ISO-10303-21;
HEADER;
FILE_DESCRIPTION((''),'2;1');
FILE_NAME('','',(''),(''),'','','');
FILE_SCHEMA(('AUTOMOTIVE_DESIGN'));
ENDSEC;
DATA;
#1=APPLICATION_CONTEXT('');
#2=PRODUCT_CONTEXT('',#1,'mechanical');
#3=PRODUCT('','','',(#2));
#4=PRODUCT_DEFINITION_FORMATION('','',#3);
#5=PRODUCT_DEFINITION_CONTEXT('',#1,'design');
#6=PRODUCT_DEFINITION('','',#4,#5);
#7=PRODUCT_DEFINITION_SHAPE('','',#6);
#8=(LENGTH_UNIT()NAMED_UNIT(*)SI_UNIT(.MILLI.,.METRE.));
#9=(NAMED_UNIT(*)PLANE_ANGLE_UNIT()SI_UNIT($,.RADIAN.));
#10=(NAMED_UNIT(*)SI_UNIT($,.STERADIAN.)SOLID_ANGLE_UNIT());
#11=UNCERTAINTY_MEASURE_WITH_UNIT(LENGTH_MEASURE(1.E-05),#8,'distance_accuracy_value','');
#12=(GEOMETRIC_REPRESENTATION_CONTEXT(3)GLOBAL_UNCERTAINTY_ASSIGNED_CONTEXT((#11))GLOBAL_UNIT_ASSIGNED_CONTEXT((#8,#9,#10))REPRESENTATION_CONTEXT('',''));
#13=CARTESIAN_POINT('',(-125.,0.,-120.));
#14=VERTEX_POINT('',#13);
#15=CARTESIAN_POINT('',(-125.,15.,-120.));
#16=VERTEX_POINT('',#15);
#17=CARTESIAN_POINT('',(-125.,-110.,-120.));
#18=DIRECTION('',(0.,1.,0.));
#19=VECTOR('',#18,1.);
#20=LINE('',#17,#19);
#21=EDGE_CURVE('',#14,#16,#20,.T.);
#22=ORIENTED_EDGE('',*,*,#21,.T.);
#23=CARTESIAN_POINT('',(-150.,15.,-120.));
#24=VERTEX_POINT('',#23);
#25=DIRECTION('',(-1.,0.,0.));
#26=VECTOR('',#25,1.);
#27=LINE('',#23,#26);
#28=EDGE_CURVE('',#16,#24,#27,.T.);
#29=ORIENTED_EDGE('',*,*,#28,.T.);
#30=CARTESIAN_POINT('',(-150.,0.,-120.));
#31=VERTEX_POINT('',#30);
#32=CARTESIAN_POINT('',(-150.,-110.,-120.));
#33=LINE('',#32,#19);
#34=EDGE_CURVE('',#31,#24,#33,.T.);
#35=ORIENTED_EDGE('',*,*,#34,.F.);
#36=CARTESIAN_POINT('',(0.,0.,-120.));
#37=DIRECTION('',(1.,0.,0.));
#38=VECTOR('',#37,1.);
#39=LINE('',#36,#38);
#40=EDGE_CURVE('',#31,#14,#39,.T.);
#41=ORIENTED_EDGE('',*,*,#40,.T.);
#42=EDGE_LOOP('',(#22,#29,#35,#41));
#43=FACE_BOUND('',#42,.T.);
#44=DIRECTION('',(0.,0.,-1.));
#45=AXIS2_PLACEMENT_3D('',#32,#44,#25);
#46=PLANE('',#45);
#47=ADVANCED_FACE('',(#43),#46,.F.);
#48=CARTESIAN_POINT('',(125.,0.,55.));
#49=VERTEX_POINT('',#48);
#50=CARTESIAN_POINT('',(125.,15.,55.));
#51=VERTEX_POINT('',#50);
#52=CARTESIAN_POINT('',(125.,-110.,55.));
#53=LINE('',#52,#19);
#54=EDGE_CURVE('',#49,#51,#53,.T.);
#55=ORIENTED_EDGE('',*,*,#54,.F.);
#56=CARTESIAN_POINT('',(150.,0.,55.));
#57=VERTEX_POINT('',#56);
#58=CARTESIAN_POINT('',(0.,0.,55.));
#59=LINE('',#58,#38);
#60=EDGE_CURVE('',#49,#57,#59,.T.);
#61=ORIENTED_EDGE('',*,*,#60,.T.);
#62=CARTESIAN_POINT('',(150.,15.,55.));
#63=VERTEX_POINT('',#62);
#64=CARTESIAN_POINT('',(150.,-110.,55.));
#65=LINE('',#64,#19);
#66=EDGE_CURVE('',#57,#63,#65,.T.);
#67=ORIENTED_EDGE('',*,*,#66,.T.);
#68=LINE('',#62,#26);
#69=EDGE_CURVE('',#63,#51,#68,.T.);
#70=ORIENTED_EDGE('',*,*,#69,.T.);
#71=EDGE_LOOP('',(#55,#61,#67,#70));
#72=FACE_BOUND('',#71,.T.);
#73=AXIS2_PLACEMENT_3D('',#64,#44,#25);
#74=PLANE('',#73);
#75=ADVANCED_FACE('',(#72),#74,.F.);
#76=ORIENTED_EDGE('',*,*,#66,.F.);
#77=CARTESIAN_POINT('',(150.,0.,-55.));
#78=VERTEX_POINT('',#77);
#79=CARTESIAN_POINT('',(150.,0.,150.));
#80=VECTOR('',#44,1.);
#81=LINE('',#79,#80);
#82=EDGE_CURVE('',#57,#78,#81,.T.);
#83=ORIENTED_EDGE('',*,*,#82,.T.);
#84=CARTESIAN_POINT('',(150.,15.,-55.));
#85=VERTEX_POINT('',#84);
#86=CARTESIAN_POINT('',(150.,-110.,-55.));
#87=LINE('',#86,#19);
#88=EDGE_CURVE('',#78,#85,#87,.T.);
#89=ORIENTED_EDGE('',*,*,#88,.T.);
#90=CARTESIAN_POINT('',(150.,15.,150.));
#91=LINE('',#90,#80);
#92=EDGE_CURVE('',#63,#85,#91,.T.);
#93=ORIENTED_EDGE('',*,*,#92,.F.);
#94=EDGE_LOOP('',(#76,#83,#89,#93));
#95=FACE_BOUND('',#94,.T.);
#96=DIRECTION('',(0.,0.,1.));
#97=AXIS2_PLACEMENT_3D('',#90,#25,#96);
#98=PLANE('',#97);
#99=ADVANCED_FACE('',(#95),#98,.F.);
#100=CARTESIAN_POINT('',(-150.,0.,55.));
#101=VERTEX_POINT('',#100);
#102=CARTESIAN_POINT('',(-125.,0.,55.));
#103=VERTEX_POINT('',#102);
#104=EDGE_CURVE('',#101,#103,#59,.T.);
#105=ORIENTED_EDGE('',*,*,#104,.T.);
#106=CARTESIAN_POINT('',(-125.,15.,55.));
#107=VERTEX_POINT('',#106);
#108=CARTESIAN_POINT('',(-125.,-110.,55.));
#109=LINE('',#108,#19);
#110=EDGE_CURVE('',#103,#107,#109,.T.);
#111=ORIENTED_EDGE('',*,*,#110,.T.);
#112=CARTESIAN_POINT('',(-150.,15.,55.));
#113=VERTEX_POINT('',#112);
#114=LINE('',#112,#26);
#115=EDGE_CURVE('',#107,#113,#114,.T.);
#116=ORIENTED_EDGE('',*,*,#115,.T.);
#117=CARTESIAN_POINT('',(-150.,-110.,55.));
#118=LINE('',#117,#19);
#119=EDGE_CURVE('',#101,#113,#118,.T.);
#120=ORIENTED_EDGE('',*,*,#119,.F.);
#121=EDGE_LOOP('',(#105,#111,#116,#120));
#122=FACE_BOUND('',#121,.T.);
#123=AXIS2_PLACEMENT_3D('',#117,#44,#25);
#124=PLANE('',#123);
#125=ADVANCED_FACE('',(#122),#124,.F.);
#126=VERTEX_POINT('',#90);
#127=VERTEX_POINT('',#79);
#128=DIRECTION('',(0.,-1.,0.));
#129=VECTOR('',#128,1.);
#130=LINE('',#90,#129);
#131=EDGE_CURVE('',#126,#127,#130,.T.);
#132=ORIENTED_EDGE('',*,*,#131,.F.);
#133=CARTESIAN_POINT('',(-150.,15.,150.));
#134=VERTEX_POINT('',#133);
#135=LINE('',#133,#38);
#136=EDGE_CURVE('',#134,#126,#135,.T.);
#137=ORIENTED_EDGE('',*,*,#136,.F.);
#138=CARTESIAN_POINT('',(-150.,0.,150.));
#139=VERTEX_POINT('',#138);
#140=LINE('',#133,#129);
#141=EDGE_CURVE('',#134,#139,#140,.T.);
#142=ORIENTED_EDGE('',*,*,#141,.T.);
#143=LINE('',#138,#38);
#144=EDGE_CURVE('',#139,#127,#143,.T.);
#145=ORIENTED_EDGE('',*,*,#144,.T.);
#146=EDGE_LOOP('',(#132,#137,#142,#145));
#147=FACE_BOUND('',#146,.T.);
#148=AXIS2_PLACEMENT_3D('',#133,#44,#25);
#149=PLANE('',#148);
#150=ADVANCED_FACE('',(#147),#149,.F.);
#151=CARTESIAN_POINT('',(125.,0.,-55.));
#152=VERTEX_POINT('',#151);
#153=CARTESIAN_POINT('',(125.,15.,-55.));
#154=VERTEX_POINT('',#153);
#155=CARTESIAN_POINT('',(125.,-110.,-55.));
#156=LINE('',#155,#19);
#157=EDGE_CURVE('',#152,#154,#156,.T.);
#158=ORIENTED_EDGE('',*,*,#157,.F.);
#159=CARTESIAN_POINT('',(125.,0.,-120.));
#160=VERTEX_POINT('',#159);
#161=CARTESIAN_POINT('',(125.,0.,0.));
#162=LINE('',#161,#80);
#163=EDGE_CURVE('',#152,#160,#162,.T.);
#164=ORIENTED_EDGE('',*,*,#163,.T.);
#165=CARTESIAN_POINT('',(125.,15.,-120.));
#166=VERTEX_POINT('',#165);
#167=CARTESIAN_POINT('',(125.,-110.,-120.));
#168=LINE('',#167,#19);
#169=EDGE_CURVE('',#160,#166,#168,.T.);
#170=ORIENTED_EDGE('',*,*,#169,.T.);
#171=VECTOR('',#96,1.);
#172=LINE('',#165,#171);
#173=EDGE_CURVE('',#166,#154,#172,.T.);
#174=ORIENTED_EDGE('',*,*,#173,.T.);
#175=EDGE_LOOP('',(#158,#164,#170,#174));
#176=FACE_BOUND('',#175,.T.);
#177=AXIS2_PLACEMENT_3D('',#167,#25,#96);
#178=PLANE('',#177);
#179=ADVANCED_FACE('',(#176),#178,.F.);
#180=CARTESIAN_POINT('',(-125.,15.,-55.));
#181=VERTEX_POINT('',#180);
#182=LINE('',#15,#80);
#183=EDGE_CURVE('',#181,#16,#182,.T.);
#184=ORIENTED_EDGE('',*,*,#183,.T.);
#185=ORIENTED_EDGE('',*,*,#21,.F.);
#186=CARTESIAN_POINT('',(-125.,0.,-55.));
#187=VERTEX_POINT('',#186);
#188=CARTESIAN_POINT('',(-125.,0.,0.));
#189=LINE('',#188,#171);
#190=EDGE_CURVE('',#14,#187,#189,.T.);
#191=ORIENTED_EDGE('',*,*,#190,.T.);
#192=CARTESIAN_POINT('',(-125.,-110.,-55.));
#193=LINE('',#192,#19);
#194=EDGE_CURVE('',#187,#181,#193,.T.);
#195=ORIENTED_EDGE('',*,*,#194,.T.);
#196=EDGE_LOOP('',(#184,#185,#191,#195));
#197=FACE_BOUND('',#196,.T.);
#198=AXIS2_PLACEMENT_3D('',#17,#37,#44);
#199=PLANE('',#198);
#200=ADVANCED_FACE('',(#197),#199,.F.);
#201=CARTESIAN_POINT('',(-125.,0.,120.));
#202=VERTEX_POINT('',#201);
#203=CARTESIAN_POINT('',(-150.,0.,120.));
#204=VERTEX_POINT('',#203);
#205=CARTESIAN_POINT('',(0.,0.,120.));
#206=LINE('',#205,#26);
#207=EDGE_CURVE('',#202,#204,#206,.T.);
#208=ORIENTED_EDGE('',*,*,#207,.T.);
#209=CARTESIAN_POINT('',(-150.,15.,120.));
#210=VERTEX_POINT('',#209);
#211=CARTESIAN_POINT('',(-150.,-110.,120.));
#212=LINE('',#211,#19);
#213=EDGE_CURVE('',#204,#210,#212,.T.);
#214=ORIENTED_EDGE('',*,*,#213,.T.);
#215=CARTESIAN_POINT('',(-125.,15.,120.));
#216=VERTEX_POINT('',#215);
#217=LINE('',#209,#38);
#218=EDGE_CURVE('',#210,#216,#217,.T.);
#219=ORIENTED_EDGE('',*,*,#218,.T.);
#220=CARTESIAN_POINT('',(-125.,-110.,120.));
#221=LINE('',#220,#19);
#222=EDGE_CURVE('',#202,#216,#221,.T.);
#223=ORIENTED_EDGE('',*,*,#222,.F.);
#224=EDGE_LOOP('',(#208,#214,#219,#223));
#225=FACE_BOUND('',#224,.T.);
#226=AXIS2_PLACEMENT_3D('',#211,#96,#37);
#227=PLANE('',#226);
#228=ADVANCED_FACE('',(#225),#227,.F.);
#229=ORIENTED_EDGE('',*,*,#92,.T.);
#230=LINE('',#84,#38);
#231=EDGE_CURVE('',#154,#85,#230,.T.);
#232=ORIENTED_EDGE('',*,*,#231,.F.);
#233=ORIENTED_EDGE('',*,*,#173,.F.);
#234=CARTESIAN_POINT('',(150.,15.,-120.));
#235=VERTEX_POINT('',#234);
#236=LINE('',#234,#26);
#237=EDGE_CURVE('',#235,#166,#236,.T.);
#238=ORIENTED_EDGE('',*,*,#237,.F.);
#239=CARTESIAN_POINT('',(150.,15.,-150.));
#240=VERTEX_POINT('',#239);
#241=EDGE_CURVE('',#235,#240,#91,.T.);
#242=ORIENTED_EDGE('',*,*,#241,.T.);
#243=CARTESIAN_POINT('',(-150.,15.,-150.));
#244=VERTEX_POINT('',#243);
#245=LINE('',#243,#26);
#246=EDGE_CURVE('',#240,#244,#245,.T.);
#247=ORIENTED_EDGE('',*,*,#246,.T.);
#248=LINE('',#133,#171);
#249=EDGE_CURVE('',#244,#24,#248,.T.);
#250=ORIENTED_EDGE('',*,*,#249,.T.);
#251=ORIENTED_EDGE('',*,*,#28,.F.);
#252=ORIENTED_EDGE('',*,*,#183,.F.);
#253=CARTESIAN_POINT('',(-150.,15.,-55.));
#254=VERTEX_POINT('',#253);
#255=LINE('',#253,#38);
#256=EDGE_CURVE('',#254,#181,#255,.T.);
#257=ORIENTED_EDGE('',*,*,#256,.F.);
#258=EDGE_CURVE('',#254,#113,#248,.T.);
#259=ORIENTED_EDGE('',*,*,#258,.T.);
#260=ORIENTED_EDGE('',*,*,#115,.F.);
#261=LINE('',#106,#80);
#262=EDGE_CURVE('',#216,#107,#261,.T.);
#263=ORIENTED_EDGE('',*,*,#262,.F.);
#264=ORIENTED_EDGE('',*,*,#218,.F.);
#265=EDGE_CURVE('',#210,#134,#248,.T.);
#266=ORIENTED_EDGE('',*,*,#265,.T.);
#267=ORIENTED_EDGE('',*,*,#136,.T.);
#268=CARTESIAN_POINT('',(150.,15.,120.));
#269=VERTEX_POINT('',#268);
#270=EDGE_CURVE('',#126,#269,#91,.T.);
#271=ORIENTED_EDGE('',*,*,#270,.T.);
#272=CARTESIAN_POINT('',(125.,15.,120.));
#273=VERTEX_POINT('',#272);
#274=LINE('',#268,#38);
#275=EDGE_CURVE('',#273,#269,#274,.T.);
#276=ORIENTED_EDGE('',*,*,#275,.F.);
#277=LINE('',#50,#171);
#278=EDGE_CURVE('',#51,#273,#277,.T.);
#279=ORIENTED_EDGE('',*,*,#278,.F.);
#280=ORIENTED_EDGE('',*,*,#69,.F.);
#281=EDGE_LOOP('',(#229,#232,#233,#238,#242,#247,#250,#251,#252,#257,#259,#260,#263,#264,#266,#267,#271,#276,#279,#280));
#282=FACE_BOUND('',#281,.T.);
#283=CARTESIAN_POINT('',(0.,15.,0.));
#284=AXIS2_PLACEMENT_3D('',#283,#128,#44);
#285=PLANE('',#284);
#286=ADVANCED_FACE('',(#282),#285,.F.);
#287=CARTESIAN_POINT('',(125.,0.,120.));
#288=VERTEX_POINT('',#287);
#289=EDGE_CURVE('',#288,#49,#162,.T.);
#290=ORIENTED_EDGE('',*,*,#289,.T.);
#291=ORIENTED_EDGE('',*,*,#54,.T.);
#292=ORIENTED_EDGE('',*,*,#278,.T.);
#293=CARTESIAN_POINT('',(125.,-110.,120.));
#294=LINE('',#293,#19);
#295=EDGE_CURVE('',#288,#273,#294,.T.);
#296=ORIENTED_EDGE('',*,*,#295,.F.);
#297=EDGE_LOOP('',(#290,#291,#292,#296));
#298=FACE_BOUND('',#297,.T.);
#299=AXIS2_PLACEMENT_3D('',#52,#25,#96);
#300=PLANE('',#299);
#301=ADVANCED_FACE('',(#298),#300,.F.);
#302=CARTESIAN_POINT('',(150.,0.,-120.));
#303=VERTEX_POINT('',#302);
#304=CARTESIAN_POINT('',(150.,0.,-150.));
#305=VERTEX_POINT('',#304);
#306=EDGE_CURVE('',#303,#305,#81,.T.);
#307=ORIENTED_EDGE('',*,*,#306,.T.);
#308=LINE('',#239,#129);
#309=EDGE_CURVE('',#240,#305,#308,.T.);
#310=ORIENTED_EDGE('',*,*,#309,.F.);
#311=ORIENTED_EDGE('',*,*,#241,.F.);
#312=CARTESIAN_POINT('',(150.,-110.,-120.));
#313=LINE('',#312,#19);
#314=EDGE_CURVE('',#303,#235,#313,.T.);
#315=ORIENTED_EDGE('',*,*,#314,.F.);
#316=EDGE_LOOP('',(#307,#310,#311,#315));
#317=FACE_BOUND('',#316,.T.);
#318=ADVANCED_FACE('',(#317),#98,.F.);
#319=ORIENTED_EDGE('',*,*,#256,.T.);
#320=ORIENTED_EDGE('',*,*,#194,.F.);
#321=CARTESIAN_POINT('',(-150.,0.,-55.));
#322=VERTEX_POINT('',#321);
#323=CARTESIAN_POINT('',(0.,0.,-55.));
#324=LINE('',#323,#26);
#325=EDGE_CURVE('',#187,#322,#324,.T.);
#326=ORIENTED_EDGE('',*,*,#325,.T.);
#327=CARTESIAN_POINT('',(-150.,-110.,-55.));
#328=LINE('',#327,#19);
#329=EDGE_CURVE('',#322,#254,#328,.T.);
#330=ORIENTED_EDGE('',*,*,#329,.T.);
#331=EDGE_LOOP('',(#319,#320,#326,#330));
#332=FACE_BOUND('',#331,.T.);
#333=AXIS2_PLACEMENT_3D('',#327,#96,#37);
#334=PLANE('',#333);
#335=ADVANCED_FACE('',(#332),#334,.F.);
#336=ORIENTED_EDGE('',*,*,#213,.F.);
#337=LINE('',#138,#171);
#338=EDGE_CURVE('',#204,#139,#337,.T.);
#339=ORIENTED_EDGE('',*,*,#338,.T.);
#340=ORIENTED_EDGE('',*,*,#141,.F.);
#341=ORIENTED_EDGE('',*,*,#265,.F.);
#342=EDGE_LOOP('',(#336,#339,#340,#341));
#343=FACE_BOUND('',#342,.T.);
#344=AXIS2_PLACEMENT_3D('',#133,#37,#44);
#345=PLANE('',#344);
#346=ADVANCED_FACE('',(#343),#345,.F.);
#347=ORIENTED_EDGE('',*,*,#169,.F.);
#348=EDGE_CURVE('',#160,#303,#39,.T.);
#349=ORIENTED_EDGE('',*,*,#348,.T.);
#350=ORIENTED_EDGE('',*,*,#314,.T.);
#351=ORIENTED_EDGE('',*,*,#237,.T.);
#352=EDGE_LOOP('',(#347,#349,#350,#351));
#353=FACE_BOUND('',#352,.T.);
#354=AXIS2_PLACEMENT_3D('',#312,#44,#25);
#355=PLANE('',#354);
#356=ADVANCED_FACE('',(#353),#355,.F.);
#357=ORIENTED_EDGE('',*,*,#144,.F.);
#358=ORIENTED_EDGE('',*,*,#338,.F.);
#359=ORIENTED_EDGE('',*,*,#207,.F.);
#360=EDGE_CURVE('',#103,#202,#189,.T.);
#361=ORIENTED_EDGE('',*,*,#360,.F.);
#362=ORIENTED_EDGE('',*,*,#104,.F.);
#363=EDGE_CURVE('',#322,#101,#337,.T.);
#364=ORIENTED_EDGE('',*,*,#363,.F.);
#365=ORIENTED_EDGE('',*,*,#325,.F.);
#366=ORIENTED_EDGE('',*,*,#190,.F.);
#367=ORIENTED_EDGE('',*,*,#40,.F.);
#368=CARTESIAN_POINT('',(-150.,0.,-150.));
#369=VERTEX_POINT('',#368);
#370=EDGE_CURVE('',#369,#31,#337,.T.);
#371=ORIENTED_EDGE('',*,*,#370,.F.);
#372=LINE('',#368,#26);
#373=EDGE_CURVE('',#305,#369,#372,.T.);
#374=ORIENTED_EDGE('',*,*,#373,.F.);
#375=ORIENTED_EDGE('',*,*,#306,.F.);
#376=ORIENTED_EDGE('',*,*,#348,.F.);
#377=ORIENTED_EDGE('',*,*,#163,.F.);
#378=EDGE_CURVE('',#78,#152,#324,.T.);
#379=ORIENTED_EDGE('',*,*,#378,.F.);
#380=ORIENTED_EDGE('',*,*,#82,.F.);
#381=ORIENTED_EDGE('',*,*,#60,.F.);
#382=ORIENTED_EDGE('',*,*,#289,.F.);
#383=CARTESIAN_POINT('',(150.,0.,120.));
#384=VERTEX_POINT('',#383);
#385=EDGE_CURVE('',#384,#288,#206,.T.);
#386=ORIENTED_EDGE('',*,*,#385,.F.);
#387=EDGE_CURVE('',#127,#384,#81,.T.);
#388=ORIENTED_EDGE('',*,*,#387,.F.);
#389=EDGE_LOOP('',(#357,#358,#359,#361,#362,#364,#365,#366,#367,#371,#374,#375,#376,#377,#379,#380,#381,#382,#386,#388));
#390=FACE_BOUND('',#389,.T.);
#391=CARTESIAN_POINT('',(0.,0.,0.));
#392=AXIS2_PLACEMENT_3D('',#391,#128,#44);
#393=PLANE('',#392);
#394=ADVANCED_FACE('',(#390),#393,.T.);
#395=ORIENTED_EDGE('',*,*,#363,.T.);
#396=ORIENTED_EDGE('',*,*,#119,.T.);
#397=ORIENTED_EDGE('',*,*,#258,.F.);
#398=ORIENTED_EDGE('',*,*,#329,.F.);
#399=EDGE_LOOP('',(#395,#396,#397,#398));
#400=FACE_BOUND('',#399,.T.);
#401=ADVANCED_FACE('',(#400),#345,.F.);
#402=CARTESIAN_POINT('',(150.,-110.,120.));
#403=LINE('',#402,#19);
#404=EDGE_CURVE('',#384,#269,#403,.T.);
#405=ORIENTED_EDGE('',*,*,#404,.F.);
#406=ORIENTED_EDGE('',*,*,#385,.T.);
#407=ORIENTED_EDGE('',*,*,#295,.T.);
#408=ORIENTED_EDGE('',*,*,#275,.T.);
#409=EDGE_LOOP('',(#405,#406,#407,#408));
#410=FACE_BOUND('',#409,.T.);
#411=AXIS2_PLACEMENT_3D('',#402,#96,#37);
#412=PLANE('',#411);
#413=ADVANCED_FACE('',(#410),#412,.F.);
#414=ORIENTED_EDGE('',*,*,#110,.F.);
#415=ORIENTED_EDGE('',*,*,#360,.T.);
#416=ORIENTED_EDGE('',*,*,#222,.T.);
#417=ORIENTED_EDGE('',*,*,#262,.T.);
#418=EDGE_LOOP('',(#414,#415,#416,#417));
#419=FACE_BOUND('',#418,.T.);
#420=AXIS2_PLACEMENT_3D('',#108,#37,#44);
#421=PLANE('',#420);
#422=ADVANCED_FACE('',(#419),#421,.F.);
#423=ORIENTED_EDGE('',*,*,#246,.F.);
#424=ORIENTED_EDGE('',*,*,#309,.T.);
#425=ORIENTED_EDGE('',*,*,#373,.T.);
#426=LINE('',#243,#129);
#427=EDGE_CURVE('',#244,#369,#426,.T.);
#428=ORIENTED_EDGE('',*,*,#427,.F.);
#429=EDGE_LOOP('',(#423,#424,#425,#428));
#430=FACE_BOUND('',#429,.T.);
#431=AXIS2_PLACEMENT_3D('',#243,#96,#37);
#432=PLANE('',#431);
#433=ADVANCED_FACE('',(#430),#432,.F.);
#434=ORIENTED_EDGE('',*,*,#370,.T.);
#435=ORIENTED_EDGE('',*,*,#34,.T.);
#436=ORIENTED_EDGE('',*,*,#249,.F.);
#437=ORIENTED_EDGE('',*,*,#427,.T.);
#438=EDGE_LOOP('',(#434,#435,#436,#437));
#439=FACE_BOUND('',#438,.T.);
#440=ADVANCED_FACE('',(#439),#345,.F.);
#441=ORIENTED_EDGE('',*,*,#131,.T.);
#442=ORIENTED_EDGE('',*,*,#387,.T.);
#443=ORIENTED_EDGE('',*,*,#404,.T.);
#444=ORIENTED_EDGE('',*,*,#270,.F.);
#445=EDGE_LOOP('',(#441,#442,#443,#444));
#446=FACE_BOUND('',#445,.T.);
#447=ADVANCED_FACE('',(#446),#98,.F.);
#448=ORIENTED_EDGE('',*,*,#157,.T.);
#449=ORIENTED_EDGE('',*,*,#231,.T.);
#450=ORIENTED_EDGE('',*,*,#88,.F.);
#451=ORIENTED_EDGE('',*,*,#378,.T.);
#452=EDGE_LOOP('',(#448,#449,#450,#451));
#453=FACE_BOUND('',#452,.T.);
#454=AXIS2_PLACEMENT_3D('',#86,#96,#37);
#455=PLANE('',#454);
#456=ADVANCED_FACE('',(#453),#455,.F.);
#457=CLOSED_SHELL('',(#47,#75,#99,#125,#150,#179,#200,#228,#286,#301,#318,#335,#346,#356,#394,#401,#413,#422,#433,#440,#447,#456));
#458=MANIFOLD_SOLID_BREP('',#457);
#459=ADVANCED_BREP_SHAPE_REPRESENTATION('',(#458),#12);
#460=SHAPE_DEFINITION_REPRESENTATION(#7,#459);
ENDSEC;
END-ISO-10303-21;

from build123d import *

# Parameters (mm, degrees)
SKETCH1_W           = 300
SKETCH1_H           = 300
BOSS_EXTRUDE1_DEPTH = 15
SKETCH2_W           = 25
SKETCH2_H           = 65
CUT_EXTRUDE1_DEPTH  = 125


with BuildPart() as part:
    # Sketch1 → Boss-Extrude1 (new body)
    with BuildSketch(Plane(origin=(0, 0, 0), x_dir=(1, 0, 0), z_dir=(0, 1, 0))):
        Rectangle(SKETCH1_W, SKETCH1_H)
    extrude(amount=BOSS_EXTRUDE1_DEPTH)

    # Sketch2 → Cut-Extrude1 (cut)
    with BuildSketch(Plane(origin=(0, 15, 0), x_dir=(1, 0, 0), z_dir=(0, 1, 0))):
        with Locations((-137.5, 87.5)):
            Rectangle(SKETCH2_W, SKETCH2_H)
        with Locations((137.5, 87.5)):
            Rectangle(SKETCH2_W, SKETCH2_H)
        with Locations((-137.5, -87.5)):
            Rectangle(SKETCH2_W, SKETCH2_H)
        with Locations((137.5, -87.5)):
            Rectangle(SKETCH2_W, SKETCH2_H)
    extrude(amount=-CUT_EXTRUDE1_DEPTH, mode=Mode.SUBTRACT)


solid = part.part
